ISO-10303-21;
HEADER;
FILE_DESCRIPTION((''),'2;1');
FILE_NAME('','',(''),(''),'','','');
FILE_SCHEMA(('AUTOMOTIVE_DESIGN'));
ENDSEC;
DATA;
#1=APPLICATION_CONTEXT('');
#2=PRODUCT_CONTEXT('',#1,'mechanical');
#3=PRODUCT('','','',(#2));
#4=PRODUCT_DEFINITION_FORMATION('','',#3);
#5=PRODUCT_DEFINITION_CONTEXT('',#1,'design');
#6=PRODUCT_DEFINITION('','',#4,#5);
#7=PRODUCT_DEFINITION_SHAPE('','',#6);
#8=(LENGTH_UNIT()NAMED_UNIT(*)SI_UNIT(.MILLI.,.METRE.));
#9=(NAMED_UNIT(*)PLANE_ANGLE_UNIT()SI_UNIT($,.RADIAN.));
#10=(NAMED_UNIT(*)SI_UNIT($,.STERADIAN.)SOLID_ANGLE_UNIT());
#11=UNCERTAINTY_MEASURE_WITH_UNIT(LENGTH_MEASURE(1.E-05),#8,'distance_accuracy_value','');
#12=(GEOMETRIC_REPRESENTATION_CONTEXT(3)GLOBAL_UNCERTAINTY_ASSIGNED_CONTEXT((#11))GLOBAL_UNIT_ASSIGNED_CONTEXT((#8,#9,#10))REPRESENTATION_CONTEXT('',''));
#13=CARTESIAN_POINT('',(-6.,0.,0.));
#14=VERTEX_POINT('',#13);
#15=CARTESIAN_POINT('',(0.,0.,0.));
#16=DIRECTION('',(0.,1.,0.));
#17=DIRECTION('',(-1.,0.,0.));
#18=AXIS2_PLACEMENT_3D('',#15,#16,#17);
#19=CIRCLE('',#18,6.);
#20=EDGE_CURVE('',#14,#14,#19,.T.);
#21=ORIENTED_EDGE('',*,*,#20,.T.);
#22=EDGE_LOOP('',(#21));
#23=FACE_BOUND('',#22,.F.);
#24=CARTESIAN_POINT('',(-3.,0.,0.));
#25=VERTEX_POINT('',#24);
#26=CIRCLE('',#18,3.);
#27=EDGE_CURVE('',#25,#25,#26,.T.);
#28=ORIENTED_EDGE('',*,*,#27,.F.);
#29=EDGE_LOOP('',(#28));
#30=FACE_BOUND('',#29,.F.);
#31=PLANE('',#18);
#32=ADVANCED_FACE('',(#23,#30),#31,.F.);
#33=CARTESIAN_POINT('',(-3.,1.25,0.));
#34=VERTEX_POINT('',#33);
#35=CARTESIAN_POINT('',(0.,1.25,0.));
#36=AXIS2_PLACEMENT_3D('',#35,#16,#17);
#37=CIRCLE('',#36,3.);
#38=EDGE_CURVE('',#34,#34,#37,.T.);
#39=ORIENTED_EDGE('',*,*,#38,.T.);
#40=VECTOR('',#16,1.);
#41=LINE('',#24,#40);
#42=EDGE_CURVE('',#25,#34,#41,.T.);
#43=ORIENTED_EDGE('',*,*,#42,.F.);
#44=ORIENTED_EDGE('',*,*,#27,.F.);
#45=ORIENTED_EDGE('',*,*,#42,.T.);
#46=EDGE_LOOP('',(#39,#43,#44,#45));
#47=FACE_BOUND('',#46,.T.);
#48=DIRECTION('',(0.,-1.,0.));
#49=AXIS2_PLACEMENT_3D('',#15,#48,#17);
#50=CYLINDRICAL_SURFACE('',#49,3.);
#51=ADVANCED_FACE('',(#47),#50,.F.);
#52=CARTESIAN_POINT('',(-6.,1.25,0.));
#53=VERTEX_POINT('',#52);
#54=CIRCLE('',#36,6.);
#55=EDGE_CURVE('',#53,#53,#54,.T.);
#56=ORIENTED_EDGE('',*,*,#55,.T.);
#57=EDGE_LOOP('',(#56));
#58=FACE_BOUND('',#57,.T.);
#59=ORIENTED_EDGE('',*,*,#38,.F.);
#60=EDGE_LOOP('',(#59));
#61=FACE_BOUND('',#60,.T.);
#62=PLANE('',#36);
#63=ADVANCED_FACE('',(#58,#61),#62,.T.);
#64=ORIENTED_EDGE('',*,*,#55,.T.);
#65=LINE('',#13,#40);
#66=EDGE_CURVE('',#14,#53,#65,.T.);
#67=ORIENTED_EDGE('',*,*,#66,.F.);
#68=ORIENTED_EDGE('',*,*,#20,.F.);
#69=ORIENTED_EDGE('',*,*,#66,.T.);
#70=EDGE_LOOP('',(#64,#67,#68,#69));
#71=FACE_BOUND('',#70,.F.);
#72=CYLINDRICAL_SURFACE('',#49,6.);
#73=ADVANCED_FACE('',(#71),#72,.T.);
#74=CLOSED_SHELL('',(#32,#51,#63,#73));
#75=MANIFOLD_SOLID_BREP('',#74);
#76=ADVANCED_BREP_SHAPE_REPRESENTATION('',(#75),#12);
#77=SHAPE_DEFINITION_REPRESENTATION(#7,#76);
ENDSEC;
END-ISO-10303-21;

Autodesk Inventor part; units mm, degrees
ref_plane "YZ Plane" through (0, 0, 0) normal (1, 0, 0) x (0, 1, 0)
ref_plane "XZ Plane" through (0, 0, 0) normal (0, 1, 0) x (-1, 0, 0)
ref_plane "XY Plane" through (0, 0, 0) normal (0, 0, 1) x (1, 0, 0)
sketch "Szkic1" plane through (0, 0, 0) normal (0, 1, 0) x (-1, 0, 0)
  circle A0 centre (0, 0) radius 3
  circle A1 centre (0, 0) radius 6
  dimension "d0" = 6
  dimension "d1" = 12
extrude "Wyciągnięcie proste1" add sketch "Szkic1" along normal blind 1.25
properties part number "M6_1,25_pad"
